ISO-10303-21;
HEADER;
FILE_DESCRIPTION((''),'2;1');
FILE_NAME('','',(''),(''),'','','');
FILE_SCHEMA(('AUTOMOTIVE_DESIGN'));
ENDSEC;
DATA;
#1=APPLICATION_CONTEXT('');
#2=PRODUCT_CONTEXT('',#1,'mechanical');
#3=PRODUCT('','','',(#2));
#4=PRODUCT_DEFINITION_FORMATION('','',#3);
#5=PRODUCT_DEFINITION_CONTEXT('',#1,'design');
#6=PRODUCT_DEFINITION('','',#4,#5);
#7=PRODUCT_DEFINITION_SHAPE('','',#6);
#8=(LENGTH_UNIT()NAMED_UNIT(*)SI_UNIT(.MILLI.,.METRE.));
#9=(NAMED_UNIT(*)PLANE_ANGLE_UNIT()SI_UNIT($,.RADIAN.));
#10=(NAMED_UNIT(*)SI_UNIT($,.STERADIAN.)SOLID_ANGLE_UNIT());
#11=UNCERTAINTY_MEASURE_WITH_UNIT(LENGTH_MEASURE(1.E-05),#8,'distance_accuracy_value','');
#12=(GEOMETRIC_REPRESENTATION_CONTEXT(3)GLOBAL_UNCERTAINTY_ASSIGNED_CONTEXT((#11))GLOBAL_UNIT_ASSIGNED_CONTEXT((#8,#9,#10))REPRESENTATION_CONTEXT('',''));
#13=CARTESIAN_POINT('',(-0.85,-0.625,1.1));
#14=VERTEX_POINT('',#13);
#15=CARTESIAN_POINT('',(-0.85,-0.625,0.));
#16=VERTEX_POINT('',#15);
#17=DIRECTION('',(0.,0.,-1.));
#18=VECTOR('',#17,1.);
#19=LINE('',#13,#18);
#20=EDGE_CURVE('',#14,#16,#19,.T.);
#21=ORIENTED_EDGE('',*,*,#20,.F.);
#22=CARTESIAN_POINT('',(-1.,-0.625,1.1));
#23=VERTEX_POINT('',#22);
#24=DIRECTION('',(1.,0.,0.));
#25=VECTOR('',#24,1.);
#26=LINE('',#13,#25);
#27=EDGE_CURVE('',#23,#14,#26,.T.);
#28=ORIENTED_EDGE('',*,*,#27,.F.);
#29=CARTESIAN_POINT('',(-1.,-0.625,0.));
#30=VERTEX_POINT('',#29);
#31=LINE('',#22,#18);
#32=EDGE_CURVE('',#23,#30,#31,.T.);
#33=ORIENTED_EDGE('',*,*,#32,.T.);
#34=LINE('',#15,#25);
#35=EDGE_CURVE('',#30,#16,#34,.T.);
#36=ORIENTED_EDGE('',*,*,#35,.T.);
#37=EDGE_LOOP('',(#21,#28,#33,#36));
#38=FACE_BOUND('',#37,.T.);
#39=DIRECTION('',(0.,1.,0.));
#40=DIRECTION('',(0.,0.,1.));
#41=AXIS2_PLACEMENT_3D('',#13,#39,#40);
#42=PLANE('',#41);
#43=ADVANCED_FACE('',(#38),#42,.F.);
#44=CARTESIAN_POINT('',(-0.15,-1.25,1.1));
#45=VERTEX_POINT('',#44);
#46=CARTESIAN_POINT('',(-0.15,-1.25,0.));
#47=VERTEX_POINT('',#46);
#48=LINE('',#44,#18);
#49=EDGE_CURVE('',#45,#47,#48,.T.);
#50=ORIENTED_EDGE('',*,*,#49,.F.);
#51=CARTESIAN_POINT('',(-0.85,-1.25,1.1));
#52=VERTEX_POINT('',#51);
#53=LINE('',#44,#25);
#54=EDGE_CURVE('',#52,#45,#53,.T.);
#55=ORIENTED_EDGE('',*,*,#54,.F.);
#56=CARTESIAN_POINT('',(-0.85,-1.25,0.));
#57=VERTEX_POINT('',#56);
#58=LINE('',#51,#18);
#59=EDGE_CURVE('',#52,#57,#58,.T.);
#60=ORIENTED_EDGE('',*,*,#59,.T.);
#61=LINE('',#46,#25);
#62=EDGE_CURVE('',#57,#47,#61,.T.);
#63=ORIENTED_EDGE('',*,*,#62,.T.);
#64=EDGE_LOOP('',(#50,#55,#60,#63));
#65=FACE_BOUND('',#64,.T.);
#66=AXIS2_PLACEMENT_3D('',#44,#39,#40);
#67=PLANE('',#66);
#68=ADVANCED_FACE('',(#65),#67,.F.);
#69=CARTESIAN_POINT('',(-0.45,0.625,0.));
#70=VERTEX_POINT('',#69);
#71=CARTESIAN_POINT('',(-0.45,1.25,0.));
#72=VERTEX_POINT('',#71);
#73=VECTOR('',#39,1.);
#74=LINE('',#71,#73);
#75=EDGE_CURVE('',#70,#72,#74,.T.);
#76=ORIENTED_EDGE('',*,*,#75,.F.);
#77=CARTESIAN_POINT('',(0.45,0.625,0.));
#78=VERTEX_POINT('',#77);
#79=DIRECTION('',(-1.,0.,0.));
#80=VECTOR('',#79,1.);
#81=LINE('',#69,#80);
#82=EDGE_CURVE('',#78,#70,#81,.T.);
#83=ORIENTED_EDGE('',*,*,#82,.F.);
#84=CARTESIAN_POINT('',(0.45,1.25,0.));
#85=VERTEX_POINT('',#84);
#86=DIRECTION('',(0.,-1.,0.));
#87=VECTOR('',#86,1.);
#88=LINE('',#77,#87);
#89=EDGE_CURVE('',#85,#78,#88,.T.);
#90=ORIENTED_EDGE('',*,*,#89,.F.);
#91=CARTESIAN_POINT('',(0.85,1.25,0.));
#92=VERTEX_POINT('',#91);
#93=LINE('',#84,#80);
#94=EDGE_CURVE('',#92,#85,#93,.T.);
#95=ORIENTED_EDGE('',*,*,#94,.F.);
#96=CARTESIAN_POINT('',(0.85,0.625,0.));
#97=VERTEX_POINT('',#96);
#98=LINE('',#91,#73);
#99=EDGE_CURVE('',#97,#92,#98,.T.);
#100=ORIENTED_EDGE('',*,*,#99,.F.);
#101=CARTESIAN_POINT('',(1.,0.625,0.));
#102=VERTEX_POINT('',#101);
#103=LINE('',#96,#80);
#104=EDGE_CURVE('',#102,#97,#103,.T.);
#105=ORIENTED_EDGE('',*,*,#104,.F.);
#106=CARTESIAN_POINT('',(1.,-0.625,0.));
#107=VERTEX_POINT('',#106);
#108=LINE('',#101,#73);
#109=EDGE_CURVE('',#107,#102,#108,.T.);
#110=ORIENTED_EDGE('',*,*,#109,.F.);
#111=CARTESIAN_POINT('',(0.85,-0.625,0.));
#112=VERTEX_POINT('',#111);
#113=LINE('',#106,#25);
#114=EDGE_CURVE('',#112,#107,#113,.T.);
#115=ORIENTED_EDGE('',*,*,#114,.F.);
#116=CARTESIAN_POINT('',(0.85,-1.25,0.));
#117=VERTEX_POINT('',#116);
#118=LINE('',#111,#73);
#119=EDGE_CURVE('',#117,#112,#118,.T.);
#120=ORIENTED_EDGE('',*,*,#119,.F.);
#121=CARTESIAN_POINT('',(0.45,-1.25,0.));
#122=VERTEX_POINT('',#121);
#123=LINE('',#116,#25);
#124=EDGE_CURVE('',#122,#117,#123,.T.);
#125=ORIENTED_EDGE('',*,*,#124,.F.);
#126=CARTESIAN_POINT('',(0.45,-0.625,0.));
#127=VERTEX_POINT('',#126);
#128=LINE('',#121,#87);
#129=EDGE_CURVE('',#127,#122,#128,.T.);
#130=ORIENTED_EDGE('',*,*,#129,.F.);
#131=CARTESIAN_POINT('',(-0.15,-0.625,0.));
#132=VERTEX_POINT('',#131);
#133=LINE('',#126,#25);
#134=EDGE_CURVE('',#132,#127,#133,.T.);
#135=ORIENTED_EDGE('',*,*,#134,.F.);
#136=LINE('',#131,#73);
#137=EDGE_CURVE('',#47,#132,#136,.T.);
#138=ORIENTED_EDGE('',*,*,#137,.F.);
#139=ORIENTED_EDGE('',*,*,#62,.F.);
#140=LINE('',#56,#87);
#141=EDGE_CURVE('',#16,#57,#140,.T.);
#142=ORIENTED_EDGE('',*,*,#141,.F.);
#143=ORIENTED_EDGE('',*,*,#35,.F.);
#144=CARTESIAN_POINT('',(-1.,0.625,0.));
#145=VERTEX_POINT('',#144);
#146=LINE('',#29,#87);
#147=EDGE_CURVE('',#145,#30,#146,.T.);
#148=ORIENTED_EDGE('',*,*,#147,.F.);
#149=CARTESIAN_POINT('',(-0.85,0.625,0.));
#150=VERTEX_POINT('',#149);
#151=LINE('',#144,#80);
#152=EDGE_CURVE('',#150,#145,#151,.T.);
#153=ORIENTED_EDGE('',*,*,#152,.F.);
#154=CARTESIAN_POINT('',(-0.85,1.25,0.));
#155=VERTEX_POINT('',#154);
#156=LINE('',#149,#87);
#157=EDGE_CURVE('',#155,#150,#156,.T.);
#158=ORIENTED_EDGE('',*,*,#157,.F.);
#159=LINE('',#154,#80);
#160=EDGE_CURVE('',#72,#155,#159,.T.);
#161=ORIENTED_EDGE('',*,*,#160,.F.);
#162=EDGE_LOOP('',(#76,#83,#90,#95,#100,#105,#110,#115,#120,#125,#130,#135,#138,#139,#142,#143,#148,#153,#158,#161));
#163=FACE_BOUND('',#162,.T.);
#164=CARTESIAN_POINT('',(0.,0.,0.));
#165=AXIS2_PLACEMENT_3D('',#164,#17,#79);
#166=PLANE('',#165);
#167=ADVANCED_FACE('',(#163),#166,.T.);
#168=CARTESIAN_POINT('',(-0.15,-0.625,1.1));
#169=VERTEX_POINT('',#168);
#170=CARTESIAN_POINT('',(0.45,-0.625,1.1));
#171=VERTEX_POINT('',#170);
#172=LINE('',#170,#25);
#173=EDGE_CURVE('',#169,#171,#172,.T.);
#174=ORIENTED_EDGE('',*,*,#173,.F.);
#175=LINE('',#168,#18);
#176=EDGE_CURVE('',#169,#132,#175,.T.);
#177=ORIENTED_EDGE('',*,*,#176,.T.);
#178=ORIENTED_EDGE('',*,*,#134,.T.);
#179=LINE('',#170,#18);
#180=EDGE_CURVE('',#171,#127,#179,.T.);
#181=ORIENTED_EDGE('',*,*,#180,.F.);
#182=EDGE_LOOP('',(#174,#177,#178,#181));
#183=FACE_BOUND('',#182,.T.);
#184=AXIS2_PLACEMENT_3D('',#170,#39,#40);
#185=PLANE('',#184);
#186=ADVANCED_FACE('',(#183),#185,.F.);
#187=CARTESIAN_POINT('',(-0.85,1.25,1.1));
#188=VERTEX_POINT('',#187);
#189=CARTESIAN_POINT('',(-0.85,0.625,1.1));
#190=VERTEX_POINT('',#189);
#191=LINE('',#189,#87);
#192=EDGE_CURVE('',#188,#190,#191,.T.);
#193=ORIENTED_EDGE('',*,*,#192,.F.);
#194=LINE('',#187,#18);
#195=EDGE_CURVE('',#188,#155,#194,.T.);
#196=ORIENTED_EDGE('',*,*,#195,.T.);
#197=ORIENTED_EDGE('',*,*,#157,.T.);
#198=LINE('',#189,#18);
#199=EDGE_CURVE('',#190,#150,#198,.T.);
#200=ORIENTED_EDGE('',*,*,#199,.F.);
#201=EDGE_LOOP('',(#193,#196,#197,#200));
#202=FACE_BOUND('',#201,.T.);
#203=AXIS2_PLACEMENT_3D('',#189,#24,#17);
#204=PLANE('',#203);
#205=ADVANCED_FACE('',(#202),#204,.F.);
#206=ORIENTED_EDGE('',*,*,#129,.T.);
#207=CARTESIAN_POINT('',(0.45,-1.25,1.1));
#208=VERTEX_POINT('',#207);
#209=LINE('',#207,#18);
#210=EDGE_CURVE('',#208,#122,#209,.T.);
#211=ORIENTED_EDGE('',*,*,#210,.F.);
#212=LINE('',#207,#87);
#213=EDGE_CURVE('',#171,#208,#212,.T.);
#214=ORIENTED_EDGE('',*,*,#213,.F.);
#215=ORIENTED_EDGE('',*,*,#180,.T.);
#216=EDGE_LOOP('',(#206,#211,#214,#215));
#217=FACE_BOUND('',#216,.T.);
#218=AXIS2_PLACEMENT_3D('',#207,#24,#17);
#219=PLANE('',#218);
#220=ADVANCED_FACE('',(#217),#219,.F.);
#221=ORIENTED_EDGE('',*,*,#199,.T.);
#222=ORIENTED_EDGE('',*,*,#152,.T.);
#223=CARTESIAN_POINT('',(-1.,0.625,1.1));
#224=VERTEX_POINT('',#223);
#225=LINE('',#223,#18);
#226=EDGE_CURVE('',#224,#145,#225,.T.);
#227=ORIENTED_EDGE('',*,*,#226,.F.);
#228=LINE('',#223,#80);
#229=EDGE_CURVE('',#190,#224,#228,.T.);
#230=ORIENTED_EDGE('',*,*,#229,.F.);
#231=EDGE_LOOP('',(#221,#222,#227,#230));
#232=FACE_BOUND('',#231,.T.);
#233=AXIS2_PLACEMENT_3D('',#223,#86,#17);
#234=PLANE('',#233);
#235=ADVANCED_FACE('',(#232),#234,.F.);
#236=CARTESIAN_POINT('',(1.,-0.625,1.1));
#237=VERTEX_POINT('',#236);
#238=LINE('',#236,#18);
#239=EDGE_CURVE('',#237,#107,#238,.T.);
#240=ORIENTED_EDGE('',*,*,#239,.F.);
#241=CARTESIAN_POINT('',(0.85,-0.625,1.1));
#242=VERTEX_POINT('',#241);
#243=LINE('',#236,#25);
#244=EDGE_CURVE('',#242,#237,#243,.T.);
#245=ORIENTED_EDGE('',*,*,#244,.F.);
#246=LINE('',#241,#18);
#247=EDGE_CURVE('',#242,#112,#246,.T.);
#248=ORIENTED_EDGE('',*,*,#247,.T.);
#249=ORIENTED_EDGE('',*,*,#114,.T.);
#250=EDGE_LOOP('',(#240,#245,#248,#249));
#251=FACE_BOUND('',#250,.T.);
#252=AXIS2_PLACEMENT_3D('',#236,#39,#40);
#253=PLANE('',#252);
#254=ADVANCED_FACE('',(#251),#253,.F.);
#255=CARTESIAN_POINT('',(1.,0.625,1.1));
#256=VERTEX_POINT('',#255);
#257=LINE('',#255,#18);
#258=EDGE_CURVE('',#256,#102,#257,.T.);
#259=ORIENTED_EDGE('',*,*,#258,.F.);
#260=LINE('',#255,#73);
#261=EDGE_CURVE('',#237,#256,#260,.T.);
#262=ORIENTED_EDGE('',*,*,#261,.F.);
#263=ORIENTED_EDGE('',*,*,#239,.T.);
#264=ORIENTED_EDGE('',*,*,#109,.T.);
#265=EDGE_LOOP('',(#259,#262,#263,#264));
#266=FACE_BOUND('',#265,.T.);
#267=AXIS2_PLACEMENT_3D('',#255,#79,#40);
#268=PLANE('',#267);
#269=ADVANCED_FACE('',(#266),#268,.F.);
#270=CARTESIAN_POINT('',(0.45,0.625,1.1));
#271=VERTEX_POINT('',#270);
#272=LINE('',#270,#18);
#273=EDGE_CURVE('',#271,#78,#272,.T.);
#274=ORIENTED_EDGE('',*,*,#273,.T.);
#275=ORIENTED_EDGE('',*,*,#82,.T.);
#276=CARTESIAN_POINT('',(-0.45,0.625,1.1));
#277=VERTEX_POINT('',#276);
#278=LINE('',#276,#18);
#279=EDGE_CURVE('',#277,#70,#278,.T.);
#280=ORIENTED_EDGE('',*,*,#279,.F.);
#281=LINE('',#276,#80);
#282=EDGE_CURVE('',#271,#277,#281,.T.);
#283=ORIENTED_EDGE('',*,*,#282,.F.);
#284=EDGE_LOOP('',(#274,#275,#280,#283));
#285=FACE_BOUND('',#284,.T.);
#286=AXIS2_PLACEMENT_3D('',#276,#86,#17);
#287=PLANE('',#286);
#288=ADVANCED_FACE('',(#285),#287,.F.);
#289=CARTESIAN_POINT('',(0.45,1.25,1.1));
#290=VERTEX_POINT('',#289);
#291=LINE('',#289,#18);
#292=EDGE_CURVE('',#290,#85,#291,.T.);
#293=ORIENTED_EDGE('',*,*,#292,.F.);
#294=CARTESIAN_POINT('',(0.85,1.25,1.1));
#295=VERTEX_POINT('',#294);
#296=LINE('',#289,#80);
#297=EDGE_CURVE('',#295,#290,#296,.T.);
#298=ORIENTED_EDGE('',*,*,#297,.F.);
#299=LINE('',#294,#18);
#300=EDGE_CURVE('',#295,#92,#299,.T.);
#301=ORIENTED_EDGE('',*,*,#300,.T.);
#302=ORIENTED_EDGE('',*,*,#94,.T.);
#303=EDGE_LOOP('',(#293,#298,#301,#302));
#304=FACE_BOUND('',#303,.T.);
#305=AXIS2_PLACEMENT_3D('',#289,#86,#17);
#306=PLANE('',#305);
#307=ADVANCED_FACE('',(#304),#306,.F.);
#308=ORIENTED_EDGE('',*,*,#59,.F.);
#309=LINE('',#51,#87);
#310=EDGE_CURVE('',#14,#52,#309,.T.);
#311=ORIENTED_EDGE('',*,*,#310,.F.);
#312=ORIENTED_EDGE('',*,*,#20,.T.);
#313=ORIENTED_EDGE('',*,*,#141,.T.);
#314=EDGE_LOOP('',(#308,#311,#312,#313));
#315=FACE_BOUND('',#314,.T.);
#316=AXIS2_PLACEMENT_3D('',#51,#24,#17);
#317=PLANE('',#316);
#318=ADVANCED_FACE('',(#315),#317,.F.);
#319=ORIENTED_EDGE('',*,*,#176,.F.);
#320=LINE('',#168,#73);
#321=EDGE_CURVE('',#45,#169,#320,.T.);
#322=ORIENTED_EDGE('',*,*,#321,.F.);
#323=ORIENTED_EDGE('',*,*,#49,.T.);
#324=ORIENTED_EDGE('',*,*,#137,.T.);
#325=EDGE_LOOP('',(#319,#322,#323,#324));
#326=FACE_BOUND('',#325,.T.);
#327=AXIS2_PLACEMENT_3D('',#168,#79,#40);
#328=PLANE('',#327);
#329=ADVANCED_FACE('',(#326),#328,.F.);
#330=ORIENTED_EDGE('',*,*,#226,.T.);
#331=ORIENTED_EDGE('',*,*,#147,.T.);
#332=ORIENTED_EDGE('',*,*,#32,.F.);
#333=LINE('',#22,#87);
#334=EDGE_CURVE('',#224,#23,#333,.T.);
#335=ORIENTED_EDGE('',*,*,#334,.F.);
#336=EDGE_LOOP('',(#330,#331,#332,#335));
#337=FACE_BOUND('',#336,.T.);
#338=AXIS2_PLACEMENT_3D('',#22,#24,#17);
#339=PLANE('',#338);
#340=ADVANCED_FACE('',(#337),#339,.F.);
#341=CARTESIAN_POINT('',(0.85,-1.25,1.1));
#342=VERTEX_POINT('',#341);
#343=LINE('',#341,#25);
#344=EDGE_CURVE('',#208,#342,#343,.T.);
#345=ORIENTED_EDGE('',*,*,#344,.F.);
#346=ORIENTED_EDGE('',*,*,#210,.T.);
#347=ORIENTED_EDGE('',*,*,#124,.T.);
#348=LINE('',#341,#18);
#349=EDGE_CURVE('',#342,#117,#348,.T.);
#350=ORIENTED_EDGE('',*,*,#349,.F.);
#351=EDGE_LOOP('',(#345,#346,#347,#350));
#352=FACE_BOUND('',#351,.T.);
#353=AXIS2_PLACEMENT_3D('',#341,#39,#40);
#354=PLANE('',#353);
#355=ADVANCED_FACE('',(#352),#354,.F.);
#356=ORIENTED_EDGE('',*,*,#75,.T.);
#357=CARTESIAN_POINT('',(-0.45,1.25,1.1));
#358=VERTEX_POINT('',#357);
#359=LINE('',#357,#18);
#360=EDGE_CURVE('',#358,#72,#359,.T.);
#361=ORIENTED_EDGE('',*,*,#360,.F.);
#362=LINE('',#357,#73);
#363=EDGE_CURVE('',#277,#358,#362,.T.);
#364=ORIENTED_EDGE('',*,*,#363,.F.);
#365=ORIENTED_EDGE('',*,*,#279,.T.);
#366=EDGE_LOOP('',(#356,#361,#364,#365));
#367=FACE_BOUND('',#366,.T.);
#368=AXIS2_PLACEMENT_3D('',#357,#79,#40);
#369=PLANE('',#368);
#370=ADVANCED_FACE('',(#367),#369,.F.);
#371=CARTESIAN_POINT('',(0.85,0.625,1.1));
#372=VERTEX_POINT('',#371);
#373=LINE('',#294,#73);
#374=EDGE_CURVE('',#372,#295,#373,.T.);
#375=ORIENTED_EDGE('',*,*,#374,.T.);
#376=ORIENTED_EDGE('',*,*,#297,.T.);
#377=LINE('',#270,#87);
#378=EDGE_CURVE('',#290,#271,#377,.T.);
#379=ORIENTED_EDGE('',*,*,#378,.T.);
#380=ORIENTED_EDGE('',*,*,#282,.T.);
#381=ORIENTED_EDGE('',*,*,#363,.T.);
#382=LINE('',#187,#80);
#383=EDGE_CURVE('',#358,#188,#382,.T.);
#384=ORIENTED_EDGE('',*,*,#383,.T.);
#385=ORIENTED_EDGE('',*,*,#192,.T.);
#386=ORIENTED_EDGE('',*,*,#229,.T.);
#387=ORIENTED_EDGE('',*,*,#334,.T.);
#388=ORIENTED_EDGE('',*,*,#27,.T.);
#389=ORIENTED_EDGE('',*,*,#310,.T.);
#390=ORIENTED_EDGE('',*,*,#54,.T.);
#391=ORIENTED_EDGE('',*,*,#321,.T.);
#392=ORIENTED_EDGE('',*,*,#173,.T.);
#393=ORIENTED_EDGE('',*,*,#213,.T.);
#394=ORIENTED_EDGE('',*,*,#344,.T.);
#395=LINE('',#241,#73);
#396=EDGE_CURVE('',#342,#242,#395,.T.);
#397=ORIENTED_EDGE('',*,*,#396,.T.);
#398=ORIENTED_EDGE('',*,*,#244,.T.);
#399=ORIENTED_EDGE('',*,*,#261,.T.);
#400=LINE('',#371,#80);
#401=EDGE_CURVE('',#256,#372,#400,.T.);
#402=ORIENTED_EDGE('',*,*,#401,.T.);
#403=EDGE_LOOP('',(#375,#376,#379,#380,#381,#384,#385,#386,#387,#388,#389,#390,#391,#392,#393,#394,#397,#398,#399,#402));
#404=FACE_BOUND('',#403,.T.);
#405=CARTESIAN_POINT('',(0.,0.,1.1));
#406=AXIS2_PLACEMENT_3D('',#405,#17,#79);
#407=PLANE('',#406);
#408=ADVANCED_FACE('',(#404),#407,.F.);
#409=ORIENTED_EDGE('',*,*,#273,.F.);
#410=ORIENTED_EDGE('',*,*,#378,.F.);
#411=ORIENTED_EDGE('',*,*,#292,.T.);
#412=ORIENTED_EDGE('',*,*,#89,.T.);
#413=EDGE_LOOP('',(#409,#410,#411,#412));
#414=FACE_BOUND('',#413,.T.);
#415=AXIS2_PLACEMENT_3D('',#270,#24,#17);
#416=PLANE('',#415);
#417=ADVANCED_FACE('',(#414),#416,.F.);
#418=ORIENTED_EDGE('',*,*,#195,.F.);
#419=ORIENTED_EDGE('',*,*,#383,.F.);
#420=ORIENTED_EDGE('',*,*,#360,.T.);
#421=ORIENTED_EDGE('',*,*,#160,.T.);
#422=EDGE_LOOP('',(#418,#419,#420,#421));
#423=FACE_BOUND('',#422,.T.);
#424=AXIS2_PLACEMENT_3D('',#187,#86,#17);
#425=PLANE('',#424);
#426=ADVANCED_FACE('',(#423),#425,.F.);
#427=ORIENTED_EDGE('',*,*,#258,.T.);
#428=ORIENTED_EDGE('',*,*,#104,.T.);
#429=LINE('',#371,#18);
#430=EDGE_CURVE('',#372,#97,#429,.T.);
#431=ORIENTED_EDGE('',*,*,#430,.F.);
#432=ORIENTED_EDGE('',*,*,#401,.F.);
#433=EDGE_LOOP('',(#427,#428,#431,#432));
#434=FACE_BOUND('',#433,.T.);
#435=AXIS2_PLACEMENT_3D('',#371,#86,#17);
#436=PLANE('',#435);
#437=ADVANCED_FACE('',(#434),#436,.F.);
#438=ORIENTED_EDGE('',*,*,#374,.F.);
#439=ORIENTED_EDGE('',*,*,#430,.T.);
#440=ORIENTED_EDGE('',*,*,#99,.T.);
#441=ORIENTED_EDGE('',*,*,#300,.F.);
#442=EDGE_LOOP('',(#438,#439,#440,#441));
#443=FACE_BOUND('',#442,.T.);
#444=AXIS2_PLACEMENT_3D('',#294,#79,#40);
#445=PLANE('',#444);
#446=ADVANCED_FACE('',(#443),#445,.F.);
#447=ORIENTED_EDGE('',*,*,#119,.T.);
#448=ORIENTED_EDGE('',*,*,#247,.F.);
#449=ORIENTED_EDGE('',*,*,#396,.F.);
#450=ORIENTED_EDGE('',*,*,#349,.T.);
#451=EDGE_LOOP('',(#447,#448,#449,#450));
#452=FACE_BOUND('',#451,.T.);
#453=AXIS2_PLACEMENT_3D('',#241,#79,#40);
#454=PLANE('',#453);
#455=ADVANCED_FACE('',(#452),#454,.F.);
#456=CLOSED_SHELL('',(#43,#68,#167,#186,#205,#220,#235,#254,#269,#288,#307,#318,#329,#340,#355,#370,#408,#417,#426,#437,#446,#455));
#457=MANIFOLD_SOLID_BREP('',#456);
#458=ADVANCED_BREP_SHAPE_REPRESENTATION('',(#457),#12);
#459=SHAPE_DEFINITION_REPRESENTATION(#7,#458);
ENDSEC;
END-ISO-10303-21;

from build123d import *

# Parameters (mm, degrees)
COMPONENT_OUTLINE_DEPTH = 1.1


with BuildPart() as part:
    # 草图1 → Component_Outline (new body)
    with BuildSketch(Plane.XY):
        Polygon((-1, 0.625), (-0.85, 0.625), (-0.85, 1.25), (-0.45, 1.25), (-0.45, 0.625), (0.45, 0.625), (0.45, 1.25), (0.85, 1.25), (0.85, 0.625), (1, 0.625), (1, -0.625), (0.85, -0.625), (0.85, -1.25), (0.45, -1.25), (0.45, -0.625), (-0.15, -0.625), (-0.15, -1.25), (-0.85, -1.25), (-0.85, -0.625), (-1, -0.625), align=None)
    extrude(amount=COMPONENT_OUTLINE_DEPTH)


solid = part.part
